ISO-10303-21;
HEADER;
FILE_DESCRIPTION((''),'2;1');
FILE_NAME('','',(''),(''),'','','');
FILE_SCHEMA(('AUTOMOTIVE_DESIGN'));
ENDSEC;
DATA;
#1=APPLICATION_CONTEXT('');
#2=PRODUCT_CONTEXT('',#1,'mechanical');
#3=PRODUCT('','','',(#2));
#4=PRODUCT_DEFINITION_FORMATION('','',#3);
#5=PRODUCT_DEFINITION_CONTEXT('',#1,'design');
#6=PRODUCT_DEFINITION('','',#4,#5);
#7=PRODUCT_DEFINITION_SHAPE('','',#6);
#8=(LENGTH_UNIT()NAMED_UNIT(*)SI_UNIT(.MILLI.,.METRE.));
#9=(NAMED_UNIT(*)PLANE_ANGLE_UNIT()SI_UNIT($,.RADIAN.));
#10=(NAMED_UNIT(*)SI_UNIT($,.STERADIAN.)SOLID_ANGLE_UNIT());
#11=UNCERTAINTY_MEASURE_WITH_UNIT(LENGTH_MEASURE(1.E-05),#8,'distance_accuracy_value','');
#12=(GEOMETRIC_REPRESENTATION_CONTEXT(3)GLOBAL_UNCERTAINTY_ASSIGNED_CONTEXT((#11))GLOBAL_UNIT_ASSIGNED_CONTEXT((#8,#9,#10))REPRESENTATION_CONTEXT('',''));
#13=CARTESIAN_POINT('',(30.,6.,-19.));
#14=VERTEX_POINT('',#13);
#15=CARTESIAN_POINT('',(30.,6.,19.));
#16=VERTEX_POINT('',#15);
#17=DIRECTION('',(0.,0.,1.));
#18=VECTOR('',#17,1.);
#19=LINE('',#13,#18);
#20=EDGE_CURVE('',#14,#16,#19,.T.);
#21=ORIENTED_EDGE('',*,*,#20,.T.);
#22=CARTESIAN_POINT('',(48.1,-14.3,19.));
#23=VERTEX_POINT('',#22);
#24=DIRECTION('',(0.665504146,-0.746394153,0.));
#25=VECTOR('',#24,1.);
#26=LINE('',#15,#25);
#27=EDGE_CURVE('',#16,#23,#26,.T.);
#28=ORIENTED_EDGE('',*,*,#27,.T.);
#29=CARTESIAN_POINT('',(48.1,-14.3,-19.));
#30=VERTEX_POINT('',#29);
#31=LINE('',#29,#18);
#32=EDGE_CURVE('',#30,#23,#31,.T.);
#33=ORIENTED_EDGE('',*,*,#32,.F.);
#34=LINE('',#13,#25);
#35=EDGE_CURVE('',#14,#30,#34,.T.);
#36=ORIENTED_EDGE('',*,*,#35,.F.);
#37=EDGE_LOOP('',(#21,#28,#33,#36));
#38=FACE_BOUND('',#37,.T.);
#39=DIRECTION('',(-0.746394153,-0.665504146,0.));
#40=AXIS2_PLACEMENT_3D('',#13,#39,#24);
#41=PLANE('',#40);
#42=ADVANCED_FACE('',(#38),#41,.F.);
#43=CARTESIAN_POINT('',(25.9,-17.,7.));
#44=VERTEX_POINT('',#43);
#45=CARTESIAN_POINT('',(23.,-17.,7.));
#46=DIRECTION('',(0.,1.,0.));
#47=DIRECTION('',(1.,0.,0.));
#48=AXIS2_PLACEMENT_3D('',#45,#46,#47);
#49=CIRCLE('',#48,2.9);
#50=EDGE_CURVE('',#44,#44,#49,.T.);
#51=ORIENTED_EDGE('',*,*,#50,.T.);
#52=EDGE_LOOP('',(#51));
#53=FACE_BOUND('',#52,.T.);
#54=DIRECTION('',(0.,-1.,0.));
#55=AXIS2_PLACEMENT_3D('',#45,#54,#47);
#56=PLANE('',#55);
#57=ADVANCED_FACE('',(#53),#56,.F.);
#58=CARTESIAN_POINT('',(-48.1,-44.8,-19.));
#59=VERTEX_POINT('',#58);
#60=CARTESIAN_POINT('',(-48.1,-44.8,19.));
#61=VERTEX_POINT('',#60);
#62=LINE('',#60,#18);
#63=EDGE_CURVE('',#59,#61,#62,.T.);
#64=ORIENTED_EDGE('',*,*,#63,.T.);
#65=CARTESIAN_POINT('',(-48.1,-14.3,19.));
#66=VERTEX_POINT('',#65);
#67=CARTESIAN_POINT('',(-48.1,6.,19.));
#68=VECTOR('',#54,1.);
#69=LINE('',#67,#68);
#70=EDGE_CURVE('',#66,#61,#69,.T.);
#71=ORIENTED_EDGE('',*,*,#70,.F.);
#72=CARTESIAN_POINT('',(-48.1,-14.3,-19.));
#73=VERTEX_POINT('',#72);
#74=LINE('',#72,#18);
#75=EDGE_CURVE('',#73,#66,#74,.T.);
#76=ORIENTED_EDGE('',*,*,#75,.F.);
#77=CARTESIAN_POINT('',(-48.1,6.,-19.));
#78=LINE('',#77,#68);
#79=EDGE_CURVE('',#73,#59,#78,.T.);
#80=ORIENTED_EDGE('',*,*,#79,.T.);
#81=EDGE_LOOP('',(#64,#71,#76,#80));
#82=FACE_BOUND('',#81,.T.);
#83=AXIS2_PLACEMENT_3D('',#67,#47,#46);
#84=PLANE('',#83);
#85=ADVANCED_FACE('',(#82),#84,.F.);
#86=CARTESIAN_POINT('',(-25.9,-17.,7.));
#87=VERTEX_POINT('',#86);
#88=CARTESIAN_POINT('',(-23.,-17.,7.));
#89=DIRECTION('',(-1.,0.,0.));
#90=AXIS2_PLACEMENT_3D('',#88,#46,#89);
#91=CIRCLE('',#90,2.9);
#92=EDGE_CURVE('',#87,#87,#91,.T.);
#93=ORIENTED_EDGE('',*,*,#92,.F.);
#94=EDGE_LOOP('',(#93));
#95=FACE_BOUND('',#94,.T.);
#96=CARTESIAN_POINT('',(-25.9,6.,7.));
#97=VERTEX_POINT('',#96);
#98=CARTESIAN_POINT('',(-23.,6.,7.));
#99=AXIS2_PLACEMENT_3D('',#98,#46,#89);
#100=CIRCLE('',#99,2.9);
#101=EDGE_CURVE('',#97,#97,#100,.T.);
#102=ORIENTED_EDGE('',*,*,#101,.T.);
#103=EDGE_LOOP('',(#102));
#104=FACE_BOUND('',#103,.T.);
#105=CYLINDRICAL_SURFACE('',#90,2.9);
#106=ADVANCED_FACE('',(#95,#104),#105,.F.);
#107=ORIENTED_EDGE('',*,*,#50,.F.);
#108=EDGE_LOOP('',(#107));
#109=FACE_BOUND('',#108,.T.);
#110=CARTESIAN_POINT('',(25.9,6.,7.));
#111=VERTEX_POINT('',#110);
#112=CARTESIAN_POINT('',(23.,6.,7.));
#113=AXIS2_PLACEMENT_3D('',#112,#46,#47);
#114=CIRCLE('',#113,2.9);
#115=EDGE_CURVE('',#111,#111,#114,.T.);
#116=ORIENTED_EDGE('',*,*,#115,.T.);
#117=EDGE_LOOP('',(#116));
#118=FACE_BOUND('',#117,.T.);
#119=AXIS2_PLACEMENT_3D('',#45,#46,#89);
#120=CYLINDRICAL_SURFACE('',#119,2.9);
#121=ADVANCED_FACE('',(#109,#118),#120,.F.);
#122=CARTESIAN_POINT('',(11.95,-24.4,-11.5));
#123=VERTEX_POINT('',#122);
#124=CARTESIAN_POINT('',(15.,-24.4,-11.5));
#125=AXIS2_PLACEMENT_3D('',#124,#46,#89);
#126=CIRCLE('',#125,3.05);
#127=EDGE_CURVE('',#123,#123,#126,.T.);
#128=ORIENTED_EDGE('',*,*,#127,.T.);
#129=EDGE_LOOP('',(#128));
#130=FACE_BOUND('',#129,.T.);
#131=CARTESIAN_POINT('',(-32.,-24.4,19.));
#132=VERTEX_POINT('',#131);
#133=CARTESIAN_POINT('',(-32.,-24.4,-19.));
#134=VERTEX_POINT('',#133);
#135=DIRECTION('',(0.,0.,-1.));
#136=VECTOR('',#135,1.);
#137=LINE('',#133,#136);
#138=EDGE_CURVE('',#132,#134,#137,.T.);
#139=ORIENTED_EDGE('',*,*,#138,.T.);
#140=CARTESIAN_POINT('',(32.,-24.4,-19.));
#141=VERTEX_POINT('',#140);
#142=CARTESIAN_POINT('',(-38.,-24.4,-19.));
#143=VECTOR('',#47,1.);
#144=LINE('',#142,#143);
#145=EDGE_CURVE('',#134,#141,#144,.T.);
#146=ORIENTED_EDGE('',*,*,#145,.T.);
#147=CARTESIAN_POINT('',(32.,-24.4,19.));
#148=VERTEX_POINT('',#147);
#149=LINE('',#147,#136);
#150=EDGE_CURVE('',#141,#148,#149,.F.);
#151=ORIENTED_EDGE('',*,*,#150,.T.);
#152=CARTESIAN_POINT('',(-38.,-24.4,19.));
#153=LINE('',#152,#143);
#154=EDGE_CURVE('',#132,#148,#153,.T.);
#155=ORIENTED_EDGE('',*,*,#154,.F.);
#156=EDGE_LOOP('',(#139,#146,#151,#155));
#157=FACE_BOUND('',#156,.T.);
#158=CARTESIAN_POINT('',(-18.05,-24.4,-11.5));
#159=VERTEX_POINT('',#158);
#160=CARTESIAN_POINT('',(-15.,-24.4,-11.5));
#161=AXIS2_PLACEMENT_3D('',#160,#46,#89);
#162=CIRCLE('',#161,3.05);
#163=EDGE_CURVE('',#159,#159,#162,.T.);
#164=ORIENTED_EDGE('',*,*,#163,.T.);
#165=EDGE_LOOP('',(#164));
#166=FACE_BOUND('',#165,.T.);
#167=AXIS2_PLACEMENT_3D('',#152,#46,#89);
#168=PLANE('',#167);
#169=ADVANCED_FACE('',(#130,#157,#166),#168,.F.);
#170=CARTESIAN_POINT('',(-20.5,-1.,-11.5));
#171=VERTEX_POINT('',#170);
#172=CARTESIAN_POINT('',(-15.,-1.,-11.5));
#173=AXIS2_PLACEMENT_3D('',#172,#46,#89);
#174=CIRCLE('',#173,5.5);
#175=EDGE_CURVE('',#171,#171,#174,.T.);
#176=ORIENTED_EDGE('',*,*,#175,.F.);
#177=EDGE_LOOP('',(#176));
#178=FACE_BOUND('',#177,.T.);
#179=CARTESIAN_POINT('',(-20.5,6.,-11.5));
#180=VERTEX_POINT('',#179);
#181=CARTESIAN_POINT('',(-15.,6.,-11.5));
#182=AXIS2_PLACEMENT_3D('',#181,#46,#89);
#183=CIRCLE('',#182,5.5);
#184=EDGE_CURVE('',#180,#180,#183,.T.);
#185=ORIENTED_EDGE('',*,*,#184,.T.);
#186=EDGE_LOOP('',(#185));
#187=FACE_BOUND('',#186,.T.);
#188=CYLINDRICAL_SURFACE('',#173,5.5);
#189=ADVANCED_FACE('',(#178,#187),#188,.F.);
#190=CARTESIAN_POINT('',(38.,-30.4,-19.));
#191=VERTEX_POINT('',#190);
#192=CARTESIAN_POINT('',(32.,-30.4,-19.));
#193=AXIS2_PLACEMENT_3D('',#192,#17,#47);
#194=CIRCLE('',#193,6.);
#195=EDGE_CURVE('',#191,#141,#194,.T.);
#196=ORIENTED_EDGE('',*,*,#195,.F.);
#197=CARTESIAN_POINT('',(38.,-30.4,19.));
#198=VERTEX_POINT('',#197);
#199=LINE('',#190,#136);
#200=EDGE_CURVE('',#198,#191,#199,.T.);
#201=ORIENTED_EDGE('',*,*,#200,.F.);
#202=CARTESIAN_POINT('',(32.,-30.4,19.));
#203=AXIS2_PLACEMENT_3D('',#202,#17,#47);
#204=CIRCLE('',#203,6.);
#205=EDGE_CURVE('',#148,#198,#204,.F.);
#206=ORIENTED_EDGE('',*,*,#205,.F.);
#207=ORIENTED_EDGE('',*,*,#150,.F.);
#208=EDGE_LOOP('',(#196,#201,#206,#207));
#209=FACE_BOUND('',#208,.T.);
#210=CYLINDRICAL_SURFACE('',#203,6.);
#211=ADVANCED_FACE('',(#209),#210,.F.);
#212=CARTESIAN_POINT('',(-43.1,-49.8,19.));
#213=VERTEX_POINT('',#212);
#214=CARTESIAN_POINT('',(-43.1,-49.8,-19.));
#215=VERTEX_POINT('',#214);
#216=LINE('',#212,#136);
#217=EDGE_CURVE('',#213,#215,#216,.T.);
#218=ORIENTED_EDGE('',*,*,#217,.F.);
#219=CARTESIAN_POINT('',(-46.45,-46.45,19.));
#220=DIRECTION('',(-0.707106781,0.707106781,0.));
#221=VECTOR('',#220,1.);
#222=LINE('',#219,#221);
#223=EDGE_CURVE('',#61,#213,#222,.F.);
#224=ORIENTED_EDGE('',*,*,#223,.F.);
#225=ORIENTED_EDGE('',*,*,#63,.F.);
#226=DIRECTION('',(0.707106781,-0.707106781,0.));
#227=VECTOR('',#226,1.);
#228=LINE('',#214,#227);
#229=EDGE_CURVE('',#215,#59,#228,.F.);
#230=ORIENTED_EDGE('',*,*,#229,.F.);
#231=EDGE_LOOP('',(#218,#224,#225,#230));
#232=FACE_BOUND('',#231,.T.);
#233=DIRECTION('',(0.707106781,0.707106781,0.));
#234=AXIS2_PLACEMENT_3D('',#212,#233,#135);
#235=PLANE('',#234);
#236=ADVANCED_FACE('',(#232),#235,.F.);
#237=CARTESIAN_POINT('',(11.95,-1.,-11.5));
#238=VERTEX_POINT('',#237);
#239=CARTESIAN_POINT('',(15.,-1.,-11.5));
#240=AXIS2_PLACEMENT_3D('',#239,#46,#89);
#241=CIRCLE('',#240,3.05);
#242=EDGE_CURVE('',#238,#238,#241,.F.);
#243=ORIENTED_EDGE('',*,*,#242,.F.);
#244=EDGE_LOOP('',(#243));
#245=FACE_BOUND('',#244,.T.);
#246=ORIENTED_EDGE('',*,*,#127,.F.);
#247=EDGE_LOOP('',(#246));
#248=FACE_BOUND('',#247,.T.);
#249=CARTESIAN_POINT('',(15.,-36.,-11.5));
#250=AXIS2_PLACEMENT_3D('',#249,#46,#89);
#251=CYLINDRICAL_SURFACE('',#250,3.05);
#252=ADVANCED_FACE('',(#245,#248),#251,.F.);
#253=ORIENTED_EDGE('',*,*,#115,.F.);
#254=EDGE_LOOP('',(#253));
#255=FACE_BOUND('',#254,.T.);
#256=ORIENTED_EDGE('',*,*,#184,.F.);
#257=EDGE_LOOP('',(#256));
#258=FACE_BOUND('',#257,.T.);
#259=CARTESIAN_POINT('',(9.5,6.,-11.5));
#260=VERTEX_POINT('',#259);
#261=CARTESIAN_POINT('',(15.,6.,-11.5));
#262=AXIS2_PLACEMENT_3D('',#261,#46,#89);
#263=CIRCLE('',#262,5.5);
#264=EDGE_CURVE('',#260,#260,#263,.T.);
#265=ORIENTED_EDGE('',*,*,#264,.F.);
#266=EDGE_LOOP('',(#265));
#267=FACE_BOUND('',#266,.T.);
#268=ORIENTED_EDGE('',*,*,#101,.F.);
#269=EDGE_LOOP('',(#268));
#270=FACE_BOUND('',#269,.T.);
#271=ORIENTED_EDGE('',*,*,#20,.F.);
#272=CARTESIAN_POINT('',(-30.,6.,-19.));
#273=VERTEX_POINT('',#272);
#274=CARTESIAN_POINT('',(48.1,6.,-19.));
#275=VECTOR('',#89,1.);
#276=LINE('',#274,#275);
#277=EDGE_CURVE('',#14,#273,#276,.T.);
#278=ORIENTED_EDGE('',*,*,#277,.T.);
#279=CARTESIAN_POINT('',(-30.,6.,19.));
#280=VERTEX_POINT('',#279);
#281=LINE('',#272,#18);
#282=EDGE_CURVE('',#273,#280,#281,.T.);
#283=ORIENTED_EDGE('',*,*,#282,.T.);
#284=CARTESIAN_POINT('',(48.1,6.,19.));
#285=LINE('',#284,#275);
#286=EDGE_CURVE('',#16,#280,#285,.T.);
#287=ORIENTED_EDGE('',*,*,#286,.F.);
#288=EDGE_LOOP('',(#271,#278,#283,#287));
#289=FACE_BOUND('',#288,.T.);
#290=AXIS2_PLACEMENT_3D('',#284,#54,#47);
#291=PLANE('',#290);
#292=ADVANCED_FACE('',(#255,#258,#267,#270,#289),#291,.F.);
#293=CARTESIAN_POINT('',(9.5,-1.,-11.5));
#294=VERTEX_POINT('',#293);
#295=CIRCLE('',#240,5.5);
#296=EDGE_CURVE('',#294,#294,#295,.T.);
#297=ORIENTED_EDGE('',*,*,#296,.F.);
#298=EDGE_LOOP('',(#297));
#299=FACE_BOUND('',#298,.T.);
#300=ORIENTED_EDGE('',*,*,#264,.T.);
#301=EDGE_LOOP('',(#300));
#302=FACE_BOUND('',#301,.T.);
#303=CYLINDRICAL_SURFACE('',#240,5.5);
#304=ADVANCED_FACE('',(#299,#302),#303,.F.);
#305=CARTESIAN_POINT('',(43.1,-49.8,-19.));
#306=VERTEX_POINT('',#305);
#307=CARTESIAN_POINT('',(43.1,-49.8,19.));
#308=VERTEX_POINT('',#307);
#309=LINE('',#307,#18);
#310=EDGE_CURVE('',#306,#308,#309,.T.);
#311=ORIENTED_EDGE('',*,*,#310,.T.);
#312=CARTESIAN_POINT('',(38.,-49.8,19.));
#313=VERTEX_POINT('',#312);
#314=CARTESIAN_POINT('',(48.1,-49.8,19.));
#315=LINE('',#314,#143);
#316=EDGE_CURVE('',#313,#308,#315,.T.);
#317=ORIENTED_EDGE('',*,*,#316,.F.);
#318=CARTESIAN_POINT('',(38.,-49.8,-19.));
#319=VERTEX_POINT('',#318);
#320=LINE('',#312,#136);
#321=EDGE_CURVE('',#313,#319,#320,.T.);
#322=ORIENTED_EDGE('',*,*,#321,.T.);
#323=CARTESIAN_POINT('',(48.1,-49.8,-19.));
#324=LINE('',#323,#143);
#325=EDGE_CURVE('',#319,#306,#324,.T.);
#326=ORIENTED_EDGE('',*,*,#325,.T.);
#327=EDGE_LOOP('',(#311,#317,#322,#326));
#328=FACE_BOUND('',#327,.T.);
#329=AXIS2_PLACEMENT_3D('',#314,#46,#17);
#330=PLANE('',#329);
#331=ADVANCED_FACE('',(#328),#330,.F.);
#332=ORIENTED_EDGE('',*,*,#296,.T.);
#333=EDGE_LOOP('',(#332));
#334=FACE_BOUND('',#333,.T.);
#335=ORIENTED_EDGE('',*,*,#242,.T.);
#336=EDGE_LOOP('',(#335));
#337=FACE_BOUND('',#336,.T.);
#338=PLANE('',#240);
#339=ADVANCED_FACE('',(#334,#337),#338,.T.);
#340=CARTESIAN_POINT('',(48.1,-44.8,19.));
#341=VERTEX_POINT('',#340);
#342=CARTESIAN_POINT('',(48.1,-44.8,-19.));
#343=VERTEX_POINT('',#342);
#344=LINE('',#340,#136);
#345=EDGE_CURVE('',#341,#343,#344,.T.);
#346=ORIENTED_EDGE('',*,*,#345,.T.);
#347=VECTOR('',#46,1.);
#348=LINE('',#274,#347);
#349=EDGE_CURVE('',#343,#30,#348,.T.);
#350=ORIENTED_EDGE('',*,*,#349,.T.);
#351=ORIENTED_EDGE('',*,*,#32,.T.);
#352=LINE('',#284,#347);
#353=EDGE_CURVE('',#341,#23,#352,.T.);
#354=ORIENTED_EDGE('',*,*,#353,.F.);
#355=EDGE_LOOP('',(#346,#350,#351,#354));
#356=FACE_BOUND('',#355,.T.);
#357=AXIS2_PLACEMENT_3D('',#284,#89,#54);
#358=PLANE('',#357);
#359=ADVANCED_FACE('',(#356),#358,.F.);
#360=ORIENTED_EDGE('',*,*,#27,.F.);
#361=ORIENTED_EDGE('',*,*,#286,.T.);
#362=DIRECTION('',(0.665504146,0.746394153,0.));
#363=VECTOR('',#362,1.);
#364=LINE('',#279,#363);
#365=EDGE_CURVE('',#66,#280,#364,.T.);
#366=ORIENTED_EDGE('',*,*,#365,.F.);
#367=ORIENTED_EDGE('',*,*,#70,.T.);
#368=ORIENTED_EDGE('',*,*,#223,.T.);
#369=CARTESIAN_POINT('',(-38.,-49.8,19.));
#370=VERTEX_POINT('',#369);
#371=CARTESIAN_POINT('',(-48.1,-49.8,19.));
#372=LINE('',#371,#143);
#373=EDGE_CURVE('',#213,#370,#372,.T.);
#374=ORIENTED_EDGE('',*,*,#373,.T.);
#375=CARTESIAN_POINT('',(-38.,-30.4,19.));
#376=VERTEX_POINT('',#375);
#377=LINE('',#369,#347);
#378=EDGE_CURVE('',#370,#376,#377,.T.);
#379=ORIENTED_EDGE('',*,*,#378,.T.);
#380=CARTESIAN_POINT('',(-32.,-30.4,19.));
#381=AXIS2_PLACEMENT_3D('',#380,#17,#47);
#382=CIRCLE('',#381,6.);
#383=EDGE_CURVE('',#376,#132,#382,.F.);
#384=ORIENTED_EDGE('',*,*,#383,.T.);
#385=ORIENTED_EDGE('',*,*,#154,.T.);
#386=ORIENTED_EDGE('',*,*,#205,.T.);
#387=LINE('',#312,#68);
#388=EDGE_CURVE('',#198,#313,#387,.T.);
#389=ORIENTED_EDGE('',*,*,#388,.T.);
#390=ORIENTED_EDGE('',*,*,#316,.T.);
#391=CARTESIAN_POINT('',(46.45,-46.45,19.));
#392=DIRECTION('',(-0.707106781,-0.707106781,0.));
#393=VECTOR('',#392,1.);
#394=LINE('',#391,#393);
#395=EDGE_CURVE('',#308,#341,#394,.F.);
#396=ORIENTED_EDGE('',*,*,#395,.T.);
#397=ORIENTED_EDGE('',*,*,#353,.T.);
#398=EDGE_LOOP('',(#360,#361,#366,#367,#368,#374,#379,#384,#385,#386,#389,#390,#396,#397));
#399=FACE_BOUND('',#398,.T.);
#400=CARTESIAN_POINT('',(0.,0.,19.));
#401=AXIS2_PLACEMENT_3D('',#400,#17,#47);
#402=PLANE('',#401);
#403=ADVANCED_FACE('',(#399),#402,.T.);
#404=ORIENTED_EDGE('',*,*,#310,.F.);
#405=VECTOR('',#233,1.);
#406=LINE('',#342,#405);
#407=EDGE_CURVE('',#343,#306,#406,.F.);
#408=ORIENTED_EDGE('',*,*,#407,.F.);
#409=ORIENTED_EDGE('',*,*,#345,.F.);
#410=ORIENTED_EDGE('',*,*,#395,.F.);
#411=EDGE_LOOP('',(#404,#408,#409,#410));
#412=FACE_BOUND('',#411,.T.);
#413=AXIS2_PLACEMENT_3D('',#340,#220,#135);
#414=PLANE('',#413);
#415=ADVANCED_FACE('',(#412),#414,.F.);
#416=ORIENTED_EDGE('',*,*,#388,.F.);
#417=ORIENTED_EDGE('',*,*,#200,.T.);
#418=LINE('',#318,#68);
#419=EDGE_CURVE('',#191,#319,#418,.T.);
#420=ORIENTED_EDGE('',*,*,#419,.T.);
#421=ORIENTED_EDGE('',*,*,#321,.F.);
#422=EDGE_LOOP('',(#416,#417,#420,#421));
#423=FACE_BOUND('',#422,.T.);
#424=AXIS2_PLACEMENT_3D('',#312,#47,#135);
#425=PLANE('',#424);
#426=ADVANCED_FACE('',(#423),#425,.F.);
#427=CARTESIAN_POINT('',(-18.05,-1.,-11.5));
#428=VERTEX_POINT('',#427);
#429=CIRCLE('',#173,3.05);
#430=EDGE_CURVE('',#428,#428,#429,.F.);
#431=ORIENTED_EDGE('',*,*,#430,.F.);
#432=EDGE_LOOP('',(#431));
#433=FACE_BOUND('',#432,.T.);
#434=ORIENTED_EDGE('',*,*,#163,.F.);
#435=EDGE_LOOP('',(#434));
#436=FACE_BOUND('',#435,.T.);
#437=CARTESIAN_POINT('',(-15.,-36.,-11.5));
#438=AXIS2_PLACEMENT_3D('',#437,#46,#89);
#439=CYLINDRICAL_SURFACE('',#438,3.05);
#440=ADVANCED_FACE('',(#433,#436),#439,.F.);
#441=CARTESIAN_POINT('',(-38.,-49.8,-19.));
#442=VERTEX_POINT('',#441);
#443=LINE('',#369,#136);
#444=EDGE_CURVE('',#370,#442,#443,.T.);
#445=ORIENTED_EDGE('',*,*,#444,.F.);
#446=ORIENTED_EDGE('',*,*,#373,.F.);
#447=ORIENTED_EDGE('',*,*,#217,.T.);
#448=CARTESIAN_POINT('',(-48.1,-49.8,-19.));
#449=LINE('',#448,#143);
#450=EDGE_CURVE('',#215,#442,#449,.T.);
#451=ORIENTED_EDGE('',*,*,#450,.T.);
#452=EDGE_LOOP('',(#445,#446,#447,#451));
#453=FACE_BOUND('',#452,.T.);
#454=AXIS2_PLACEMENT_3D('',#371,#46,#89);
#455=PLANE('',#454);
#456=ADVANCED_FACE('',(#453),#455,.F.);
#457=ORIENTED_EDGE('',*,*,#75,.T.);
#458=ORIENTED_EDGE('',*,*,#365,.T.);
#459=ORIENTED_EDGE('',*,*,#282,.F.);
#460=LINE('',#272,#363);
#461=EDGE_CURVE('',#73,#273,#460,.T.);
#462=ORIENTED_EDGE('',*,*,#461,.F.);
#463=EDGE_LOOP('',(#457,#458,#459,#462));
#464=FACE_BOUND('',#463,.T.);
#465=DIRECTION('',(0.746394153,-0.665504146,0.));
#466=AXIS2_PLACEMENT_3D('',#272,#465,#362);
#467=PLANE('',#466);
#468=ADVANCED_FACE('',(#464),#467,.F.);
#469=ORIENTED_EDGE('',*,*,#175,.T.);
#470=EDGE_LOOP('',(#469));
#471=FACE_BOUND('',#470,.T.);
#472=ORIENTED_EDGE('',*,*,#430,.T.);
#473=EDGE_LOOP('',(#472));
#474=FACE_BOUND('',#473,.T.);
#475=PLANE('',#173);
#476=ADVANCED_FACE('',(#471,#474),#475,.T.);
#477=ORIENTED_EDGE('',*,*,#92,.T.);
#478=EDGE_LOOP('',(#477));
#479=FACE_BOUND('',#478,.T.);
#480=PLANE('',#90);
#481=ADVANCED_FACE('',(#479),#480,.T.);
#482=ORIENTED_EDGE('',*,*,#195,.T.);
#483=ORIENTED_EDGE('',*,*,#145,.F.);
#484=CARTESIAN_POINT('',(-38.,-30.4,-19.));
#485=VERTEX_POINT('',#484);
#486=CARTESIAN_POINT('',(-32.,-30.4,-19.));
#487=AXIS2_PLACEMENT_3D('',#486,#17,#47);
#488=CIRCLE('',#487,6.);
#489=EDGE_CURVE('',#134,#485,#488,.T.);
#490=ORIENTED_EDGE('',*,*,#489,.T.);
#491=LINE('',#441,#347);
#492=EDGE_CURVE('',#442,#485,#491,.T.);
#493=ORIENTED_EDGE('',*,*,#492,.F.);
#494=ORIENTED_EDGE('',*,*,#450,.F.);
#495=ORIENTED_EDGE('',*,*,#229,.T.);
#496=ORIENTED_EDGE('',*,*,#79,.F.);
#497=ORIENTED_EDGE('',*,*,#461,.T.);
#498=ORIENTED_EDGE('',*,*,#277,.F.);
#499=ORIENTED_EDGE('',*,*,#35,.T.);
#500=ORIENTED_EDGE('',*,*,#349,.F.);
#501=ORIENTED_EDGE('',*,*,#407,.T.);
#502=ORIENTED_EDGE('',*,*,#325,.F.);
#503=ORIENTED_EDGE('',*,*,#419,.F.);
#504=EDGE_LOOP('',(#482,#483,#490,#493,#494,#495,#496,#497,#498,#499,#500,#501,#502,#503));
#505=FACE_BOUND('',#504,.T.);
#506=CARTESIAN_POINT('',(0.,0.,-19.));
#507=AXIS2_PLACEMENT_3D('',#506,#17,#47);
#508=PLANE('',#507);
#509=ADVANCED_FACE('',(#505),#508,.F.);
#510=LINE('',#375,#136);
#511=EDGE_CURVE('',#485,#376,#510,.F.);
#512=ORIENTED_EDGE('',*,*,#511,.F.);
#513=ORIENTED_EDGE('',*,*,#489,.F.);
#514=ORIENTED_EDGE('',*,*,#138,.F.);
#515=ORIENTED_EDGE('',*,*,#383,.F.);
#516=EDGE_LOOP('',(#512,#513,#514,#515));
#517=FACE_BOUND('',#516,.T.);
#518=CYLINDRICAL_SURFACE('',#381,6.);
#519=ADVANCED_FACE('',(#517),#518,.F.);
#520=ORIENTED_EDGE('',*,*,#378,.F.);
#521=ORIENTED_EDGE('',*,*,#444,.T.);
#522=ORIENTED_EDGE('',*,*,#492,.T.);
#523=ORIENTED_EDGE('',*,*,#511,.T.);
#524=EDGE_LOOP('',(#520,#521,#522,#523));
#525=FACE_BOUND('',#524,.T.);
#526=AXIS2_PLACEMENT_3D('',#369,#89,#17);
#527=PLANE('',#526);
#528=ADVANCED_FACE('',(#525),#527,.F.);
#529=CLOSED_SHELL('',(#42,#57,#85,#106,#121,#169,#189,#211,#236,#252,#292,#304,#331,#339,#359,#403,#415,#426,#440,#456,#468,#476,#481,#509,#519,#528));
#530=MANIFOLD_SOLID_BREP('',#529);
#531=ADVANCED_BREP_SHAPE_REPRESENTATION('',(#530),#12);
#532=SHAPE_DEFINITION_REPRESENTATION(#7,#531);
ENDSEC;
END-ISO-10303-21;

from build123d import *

# Parameters (mm, degrees)
BOSS_EXTRUDE1_DEPTH = 19
CUT_EXTRUDE8_DEPTH  = 39
FILLET1_R           = 6
SKETCH2_R           = 3.05
CUT_EXTRUDE1_DEPTH  = 42
SKETCH3_R           = 5.5
CUT_EXTRUDE2_DEPTH  = 7
SKETCH8_R           = 2.9
CUT_EXTRUDE7_DEPTH  = 23
CHAMFER2_SIZE       = 5


with BuildPart() as part:
    # Sketch1 → Boss-Extrude1 (new body, symmetric)
    with BuildSketch(Plane.XY):
        Polygon((48.1, 6), (-48.1, 6), (-48.1, -49.8), (-38, -49.8), (-38, -24.4), (38, -24.4), (38, -49.8), (48.1, -49.8), align=None)
    extrude(amount=BOSS_EXTRUDE1_DEPTH, both=True)

    # Sketch9 → Cut-Extrude8 (cut, through all)
    with BuildSketch(Plane.XY.offset(19)):
        Polygon((-30, 6), (-48.1, -14.3), (-48.1, 6), align=None)
        Polygon((48.1, 6), (30, 6), (48.1, -14.3), align=None)
    extrude(amount=-CUT_EXTRUDE8_DEPTH, mode=Mode.SUBTRACT)

    # Fillet1
    fillet1_edges = [part.edges().sort_by_distance(p)[0] for p in [
        (38, -24.4, 0),
        (-38, -24.4, 0),
    ]]
    fillet(fillet1_edges, radius=FILLET1_R)

    # Sketch2 → Cut-Extrude1 (cut)
    with BuildSketch(Plane(origin=(0, 6, 0), x_dir=(1, 0, 0), z_dir=(0, 1, 0))):
        with Locations((-15, 11.5)):
            Circle(SKETCH2_R)
        with Locations((15, 11.5)):
            Circle(SKETCH2_R)
    extrude(amount=-CUT_EXTRUDE1_DEPTH, mode=Mode.SUBTRACT)

    # Sketch3 → Cut-Extrude2 (cut)
    with BuildSketch(Plane(origin=(0, 6, 0), x_dir=(1, 0, 0), z_dir=(0, 1, 0))):
        with Locations((-15, 11.5)):
            Circle(SKETCH3_R)
        with Locations((15, 11.5)):
            Circle(SKETCH3_R)
    extrude(amount=-CUT_EXTRUDE2_DEPTH, mode=Mode.SUBTRACT)

    # Sketch8 → Cut-Extrude7 (cut)
    with BuildSketch(Plane(origin=(0, 6, 0), x_dir=(1, 0, 0), z_dir=(0, 1, 0))):
        with Locations((-23, -7)):
            Circle(SKETCH8_R)
        with Locations((23, -7)):
            Circle(SKETCH8_R)
    extrude(amount=-CUT_EXTRUDE7_DEPTH, mode=Mode.SUBTRACT)

    # Chamfer2
    chamfer2_edges = [part.edges().sort_by_distance(p)[0] for p in [
        (48.1, -49.8, 0),
        (-48.1, -49.8, 0),
    ]]
    chamfer(chamfer2_edges, length=CHAMFER2_SIZE)


solid = part.part
